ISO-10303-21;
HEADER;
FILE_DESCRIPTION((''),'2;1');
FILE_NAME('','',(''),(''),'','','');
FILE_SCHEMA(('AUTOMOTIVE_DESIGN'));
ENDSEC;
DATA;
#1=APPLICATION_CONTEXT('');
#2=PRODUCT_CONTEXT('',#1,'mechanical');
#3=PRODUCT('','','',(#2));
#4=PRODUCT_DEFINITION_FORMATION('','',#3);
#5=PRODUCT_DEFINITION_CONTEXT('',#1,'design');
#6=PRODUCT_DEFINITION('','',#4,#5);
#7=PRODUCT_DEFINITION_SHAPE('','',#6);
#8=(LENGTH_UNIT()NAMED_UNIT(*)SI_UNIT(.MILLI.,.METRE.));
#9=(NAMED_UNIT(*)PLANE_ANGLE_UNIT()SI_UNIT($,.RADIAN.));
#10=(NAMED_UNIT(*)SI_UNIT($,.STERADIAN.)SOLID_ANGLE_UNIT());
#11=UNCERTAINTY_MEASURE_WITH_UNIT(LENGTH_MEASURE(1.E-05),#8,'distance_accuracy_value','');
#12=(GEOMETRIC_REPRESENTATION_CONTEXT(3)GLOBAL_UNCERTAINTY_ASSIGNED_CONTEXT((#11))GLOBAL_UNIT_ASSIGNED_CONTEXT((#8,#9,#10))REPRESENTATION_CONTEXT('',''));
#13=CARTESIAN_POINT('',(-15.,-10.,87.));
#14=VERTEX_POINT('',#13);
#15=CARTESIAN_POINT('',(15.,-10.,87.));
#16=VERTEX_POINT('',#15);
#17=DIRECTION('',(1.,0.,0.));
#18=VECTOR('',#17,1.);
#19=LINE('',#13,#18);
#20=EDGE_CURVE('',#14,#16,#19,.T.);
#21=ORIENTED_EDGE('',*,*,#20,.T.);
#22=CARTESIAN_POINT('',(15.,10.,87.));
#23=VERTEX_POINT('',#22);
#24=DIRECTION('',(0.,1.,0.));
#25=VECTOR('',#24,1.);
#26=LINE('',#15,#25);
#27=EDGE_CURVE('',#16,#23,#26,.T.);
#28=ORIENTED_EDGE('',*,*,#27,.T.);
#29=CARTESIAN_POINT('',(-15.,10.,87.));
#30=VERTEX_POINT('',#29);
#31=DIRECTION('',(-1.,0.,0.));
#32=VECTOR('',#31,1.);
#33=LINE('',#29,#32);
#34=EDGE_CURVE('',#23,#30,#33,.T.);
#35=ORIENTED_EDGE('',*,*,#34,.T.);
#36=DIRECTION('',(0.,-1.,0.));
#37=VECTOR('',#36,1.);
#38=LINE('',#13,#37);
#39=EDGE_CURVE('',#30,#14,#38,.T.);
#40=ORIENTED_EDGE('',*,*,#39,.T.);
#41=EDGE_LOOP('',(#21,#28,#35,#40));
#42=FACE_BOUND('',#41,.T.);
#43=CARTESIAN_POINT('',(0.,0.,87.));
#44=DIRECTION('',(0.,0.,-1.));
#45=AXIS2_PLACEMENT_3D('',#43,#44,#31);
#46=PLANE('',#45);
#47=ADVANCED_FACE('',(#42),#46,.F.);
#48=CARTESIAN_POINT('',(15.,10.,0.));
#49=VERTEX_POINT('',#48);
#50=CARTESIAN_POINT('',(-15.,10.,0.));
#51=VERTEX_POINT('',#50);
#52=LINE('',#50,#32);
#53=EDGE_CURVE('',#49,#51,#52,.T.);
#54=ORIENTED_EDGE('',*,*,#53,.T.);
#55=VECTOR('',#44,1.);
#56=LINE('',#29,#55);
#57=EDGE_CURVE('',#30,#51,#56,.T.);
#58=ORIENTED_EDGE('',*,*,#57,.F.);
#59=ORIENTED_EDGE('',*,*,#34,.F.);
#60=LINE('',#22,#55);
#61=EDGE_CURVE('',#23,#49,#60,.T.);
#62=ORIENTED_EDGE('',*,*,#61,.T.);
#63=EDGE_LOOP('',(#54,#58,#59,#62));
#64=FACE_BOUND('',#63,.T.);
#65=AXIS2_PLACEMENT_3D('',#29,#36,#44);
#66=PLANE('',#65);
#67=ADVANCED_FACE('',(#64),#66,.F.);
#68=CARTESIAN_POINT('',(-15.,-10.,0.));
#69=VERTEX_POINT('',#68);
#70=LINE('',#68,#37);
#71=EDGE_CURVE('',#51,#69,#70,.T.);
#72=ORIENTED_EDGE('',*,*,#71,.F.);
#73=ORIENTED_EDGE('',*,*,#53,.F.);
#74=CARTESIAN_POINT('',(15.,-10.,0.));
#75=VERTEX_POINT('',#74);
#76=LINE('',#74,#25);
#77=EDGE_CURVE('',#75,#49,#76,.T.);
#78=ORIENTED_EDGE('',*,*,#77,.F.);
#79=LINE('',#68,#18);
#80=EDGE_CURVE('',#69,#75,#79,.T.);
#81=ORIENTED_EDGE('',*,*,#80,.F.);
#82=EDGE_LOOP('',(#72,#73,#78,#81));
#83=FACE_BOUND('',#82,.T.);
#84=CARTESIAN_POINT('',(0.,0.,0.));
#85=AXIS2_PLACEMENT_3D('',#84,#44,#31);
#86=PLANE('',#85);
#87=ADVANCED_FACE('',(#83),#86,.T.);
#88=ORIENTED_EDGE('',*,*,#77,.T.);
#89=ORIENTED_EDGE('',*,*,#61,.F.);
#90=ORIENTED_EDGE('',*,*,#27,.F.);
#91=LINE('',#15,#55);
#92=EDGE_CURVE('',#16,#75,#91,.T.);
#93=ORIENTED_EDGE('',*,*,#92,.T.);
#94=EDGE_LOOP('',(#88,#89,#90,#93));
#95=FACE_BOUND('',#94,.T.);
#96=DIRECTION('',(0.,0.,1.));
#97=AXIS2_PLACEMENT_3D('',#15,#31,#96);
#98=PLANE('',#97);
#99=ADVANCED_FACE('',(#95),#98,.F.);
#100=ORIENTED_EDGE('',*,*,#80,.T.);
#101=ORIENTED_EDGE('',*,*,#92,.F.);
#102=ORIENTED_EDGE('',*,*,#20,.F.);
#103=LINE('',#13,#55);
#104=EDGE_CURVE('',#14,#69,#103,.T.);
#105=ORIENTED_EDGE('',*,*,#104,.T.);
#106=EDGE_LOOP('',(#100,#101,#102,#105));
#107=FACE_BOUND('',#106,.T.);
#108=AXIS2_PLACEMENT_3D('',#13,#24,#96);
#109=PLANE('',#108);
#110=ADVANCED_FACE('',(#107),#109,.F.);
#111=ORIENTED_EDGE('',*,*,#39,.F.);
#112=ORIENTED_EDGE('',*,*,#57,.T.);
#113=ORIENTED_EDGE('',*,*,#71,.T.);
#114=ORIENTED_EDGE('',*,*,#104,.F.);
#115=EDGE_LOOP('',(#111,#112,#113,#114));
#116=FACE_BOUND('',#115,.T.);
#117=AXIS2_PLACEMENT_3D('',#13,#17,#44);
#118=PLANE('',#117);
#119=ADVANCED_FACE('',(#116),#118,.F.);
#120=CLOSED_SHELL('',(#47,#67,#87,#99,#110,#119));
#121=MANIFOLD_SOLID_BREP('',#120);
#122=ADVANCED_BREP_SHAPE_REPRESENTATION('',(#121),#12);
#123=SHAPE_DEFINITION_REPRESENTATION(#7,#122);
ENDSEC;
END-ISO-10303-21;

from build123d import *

# Parameters (mm, degrees)
SCHIZZO1_W                   = 30
SCHIZZO1_H                   = 20
ESTRUSIONE_ESTRUSIONE1_DEPTH = 87


with BuildPart() as part:
    # Schizzo1 → Estrusione-Estrusione1 (new body)
    with BuildSketch(Plane.XY):
        Rectangle(SCHIZZO1_W, SCHIZZO1_H)
    extrude(amount=ESTRUSIONE_ESTRUSIONE1_DEPTH)


solid = part.part
